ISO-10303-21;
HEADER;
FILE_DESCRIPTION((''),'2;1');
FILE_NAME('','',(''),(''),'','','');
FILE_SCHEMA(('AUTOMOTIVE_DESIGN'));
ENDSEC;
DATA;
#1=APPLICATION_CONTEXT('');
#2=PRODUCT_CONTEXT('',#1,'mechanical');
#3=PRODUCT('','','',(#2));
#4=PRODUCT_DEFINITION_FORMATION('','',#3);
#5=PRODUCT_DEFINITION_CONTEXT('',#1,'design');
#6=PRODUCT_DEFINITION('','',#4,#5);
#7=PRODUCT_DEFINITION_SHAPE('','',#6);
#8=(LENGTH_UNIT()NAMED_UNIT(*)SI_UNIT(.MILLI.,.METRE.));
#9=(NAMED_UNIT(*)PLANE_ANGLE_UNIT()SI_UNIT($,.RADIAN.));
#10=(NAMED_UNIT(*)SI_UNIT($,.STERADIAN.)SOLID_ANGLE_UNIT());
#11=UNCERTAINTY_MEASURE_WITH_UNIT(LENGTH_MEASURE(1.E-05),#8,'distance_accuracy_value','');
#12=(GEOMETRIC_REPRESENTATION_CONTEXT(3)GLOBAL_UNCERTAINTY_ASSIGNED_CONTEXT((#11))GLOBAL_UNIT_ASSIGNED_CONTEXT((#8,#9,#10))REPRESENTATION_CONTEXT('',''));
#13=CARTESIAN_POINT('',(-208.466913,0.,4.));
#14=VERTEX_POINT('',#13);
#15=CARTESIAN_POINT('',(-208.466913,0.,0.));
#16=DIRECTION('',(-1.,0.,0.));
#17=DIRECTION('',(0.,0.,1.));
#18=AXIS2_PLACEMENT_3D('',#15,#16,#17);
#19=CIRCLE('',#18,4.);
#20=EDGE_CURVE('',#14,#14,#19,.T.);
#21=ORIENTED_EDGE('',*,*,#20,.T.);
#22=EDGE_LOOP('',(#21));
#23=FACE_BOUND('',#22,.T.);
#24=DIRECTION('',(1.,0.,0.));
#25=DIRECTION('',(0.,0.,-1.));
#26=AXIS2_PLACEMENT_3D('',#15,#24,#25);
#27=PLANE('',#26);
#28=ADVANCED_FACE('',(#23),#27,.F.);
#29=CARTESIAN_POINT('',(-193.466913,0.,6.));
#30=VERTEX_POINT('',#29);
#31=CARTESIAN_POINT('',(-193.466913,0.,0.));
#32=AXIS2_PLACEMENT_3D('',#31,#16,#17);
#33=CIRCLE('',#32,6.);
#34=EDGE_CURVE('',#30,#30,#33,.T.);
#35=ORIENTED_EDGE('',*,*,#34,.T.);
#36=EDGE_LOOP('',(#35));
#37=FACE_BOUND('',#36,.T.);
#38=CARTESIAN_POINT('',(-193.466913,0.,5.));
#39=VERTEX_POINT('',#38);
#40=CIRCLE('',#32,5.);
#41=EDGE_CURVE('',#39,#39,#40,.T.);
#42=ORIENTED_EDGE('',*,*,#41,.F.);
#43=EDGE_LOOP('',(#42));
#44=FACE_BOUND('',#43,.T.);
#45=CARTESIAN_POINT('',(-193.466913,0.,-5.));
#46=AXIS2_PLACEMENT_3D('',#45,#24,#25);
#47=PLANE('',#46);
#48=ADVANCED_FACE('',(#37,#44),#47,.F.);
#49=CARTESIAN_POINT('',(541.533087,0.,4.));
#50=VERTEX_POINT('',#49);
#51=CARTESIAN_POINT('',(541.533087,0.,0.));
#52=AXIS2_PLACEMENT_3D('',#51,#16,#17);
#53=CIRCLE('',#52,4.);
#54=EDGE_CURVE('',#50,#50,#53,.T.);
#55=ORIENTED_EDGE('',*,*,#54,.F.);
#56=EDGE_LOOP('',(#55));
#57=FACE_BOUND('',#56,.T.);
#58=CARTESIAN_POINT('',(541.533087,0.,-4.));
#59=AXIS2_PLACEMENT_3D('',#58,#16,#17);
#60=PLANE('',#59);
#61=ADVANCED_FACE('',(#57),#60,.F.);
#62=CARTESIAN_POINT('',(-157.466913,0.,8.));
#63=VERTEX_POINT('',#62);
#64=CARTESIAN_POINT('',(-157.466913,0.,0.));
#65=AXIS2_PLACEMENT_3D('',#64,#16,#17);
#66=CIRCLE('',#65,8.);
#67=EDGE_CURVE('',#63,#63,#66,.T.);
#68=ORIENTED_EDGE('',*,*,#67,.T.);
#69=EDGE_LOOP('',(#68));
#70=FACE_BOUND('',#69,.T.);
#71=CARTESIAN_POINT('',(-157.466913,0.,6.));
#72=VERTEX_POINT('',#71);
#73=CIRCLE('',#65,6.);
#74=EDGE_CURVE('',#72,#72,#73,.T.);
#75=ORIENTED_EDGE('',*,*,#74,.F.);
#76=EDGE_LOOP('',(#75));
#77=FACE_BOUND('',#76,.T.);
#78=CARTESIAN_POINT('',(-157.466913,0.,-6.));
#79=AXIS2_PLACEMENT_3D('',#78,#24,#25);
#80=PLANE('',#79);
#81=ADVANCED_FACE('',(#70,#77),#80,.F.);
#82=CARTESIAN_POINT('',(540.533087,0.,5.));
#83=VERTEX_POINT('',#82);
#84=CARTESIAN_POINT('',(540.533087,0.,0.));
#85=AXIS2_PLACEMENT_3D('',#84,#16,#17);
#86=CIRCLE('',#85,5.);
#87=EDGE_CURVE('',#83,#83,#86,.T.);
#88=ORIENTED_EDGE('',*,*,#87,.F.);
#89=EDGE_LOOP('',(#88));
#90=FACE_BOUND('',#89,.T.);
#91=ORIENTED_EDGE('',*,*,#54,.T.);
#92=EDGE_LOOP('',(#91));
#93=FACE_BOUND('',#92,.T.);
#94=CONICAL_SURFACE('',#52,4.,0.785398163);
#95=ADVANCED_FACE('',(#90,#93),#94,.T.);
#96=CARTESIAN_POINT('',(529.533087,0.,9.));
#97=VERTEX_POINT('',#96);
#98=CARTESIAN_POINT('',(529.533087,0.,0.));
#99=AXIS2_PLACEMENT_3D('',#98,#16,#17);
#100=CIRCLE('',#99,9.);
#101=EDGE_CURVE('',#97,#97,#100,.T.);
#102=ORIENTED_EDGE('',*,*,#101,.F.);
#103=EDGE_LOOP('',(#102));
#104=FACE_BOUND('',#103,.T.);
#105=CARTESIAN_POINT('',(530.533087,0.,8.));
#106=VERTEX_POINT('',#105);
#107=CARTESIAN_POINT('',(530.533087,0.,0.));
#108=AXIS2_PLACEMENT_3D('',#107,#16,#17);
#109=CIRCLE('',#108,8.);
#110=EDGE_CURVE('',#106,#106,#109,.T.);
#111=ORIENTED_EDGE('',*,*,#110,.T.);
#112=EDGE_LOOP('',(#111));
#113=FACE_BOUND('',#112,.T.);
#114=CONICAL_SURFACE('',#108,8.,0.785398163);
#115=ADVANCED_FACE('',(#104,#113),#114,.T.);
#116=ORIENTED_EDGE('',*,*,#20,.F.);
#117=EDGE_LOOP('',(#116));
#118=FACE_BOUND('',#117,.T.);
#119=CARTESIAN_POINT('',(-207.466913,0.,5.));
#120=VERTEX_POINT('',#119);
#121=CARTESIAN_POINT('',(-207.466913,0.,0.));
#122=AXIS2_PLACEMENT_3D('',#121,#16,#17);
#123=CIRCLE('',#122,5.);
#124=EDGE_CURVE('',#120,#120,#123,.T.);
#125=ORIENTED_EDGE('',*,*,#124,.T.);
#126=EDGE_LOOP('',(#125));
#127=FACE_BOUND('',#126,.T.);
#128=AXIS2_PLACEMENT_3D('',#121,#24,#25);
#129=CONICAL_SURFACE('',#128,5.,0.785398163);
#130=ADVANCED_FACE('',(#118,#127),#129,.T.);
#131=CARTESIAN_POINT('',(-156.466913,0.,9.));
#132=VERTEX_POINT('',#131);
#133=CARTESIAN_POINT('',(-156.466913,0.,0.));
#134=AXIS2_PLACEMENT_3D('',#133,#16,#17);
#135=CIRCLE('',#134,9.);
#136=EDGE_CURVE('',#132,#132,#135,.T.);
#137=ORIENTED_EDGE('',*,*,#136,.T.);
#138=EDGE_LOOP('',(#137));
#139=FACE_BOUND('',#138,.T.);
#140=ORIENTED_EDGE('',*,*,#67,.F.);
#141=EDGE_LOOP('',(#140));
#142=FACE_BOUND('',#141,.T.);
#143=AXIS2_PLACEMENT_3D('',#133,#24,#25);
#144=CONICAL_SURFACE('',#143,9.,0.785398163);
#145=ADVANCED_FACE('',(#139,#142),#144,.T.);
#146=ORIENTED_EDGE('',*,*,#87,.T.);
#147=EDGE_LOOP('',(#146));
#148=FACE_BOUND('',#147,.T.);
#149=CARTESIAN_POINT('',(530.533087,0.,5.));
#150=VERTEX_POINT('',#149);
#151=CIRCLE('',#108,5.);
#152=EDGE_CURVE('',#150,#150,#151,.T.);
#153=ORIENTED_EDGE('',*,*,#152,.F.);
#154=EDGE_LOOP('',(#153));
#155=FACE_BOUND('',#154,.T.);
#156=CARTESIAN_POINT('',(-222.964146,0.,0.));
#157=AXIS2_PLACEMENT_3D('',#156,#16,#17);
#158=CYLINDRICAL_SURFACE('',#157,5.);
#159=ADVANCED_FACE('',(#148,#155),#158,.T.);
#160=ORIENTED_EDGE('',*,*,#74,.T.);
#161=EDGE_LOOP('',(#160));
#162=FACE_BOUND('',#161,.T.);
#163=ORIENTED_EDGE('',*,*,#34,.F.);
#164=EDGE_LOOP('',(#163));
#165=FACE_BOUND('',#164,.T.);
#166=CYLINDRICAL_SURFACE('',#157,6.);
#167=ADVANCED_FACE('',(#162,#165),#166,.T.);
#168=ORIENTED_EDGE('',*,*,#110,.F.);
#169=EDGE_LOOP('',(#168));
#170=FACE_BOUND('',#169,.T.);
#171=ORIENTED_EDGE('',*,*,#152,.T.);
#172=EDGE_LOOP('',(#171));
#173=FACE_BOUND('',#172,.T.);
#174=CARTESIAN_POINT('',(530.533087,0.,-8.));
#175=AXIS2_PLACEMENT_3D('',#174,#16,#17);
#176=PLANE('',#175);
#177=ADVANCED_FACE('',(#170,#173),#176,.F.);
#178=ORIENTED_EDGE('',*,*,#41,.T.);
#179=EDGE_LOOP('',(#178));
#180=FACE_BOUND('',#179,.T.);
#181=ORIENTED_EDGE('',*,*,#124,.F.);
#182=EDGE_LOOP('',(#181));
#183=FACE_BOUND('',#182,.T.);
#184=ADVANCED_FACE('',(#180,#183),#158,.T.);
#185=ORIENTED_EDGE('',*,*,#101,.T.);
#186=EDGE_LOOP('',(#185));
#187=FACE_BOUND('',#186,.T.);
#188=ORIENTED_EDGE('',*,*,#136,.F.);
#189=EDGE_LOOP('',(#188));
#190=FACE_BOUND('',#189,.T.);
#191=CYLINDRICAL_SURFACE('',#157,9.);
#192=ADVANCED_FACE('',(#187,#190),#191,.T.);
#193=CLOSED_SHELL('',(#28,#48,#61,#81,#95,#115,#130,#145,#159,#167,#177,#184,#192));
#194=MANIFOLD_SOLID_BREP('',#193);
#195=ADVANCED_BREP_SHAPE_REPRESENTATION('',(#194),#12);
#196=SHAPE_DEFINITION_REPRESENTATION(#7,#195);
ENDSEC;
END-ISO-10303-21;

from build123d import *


with BuildPart() as part:
    # Sketch1 → Revolve1 (revolve)
    with BuildSketch(Plane(origin=(0, 0, 0), x_dir=(1, 0, 0), z_dir=(0, 1, 0)), mode=Mode.PRIVATE) as revolve1_sk:
        Polygon((-208.466913465, 0), (-208.466913465, 4), (-207.466913465, 5), (-193.466913465, 5), (-193.466913465, 6), (-157.466913465, 6), (-157.466913465, 8), (-156.466913465, 9), (529.533086535, 9), (530.533086535, 8), (530.533086535, 5), (540.533086535, 5), (541.533086535, 4), (541.533086535, 0), align=None)
    revolve(revolve1_sk.sketch.rotate(Axis((-222.96414574, 0, 0), (1, 0, 0)), 180), axis=Axis((-222.96414574, 0, 0), (1, 0, 0)))


solid = part.part
